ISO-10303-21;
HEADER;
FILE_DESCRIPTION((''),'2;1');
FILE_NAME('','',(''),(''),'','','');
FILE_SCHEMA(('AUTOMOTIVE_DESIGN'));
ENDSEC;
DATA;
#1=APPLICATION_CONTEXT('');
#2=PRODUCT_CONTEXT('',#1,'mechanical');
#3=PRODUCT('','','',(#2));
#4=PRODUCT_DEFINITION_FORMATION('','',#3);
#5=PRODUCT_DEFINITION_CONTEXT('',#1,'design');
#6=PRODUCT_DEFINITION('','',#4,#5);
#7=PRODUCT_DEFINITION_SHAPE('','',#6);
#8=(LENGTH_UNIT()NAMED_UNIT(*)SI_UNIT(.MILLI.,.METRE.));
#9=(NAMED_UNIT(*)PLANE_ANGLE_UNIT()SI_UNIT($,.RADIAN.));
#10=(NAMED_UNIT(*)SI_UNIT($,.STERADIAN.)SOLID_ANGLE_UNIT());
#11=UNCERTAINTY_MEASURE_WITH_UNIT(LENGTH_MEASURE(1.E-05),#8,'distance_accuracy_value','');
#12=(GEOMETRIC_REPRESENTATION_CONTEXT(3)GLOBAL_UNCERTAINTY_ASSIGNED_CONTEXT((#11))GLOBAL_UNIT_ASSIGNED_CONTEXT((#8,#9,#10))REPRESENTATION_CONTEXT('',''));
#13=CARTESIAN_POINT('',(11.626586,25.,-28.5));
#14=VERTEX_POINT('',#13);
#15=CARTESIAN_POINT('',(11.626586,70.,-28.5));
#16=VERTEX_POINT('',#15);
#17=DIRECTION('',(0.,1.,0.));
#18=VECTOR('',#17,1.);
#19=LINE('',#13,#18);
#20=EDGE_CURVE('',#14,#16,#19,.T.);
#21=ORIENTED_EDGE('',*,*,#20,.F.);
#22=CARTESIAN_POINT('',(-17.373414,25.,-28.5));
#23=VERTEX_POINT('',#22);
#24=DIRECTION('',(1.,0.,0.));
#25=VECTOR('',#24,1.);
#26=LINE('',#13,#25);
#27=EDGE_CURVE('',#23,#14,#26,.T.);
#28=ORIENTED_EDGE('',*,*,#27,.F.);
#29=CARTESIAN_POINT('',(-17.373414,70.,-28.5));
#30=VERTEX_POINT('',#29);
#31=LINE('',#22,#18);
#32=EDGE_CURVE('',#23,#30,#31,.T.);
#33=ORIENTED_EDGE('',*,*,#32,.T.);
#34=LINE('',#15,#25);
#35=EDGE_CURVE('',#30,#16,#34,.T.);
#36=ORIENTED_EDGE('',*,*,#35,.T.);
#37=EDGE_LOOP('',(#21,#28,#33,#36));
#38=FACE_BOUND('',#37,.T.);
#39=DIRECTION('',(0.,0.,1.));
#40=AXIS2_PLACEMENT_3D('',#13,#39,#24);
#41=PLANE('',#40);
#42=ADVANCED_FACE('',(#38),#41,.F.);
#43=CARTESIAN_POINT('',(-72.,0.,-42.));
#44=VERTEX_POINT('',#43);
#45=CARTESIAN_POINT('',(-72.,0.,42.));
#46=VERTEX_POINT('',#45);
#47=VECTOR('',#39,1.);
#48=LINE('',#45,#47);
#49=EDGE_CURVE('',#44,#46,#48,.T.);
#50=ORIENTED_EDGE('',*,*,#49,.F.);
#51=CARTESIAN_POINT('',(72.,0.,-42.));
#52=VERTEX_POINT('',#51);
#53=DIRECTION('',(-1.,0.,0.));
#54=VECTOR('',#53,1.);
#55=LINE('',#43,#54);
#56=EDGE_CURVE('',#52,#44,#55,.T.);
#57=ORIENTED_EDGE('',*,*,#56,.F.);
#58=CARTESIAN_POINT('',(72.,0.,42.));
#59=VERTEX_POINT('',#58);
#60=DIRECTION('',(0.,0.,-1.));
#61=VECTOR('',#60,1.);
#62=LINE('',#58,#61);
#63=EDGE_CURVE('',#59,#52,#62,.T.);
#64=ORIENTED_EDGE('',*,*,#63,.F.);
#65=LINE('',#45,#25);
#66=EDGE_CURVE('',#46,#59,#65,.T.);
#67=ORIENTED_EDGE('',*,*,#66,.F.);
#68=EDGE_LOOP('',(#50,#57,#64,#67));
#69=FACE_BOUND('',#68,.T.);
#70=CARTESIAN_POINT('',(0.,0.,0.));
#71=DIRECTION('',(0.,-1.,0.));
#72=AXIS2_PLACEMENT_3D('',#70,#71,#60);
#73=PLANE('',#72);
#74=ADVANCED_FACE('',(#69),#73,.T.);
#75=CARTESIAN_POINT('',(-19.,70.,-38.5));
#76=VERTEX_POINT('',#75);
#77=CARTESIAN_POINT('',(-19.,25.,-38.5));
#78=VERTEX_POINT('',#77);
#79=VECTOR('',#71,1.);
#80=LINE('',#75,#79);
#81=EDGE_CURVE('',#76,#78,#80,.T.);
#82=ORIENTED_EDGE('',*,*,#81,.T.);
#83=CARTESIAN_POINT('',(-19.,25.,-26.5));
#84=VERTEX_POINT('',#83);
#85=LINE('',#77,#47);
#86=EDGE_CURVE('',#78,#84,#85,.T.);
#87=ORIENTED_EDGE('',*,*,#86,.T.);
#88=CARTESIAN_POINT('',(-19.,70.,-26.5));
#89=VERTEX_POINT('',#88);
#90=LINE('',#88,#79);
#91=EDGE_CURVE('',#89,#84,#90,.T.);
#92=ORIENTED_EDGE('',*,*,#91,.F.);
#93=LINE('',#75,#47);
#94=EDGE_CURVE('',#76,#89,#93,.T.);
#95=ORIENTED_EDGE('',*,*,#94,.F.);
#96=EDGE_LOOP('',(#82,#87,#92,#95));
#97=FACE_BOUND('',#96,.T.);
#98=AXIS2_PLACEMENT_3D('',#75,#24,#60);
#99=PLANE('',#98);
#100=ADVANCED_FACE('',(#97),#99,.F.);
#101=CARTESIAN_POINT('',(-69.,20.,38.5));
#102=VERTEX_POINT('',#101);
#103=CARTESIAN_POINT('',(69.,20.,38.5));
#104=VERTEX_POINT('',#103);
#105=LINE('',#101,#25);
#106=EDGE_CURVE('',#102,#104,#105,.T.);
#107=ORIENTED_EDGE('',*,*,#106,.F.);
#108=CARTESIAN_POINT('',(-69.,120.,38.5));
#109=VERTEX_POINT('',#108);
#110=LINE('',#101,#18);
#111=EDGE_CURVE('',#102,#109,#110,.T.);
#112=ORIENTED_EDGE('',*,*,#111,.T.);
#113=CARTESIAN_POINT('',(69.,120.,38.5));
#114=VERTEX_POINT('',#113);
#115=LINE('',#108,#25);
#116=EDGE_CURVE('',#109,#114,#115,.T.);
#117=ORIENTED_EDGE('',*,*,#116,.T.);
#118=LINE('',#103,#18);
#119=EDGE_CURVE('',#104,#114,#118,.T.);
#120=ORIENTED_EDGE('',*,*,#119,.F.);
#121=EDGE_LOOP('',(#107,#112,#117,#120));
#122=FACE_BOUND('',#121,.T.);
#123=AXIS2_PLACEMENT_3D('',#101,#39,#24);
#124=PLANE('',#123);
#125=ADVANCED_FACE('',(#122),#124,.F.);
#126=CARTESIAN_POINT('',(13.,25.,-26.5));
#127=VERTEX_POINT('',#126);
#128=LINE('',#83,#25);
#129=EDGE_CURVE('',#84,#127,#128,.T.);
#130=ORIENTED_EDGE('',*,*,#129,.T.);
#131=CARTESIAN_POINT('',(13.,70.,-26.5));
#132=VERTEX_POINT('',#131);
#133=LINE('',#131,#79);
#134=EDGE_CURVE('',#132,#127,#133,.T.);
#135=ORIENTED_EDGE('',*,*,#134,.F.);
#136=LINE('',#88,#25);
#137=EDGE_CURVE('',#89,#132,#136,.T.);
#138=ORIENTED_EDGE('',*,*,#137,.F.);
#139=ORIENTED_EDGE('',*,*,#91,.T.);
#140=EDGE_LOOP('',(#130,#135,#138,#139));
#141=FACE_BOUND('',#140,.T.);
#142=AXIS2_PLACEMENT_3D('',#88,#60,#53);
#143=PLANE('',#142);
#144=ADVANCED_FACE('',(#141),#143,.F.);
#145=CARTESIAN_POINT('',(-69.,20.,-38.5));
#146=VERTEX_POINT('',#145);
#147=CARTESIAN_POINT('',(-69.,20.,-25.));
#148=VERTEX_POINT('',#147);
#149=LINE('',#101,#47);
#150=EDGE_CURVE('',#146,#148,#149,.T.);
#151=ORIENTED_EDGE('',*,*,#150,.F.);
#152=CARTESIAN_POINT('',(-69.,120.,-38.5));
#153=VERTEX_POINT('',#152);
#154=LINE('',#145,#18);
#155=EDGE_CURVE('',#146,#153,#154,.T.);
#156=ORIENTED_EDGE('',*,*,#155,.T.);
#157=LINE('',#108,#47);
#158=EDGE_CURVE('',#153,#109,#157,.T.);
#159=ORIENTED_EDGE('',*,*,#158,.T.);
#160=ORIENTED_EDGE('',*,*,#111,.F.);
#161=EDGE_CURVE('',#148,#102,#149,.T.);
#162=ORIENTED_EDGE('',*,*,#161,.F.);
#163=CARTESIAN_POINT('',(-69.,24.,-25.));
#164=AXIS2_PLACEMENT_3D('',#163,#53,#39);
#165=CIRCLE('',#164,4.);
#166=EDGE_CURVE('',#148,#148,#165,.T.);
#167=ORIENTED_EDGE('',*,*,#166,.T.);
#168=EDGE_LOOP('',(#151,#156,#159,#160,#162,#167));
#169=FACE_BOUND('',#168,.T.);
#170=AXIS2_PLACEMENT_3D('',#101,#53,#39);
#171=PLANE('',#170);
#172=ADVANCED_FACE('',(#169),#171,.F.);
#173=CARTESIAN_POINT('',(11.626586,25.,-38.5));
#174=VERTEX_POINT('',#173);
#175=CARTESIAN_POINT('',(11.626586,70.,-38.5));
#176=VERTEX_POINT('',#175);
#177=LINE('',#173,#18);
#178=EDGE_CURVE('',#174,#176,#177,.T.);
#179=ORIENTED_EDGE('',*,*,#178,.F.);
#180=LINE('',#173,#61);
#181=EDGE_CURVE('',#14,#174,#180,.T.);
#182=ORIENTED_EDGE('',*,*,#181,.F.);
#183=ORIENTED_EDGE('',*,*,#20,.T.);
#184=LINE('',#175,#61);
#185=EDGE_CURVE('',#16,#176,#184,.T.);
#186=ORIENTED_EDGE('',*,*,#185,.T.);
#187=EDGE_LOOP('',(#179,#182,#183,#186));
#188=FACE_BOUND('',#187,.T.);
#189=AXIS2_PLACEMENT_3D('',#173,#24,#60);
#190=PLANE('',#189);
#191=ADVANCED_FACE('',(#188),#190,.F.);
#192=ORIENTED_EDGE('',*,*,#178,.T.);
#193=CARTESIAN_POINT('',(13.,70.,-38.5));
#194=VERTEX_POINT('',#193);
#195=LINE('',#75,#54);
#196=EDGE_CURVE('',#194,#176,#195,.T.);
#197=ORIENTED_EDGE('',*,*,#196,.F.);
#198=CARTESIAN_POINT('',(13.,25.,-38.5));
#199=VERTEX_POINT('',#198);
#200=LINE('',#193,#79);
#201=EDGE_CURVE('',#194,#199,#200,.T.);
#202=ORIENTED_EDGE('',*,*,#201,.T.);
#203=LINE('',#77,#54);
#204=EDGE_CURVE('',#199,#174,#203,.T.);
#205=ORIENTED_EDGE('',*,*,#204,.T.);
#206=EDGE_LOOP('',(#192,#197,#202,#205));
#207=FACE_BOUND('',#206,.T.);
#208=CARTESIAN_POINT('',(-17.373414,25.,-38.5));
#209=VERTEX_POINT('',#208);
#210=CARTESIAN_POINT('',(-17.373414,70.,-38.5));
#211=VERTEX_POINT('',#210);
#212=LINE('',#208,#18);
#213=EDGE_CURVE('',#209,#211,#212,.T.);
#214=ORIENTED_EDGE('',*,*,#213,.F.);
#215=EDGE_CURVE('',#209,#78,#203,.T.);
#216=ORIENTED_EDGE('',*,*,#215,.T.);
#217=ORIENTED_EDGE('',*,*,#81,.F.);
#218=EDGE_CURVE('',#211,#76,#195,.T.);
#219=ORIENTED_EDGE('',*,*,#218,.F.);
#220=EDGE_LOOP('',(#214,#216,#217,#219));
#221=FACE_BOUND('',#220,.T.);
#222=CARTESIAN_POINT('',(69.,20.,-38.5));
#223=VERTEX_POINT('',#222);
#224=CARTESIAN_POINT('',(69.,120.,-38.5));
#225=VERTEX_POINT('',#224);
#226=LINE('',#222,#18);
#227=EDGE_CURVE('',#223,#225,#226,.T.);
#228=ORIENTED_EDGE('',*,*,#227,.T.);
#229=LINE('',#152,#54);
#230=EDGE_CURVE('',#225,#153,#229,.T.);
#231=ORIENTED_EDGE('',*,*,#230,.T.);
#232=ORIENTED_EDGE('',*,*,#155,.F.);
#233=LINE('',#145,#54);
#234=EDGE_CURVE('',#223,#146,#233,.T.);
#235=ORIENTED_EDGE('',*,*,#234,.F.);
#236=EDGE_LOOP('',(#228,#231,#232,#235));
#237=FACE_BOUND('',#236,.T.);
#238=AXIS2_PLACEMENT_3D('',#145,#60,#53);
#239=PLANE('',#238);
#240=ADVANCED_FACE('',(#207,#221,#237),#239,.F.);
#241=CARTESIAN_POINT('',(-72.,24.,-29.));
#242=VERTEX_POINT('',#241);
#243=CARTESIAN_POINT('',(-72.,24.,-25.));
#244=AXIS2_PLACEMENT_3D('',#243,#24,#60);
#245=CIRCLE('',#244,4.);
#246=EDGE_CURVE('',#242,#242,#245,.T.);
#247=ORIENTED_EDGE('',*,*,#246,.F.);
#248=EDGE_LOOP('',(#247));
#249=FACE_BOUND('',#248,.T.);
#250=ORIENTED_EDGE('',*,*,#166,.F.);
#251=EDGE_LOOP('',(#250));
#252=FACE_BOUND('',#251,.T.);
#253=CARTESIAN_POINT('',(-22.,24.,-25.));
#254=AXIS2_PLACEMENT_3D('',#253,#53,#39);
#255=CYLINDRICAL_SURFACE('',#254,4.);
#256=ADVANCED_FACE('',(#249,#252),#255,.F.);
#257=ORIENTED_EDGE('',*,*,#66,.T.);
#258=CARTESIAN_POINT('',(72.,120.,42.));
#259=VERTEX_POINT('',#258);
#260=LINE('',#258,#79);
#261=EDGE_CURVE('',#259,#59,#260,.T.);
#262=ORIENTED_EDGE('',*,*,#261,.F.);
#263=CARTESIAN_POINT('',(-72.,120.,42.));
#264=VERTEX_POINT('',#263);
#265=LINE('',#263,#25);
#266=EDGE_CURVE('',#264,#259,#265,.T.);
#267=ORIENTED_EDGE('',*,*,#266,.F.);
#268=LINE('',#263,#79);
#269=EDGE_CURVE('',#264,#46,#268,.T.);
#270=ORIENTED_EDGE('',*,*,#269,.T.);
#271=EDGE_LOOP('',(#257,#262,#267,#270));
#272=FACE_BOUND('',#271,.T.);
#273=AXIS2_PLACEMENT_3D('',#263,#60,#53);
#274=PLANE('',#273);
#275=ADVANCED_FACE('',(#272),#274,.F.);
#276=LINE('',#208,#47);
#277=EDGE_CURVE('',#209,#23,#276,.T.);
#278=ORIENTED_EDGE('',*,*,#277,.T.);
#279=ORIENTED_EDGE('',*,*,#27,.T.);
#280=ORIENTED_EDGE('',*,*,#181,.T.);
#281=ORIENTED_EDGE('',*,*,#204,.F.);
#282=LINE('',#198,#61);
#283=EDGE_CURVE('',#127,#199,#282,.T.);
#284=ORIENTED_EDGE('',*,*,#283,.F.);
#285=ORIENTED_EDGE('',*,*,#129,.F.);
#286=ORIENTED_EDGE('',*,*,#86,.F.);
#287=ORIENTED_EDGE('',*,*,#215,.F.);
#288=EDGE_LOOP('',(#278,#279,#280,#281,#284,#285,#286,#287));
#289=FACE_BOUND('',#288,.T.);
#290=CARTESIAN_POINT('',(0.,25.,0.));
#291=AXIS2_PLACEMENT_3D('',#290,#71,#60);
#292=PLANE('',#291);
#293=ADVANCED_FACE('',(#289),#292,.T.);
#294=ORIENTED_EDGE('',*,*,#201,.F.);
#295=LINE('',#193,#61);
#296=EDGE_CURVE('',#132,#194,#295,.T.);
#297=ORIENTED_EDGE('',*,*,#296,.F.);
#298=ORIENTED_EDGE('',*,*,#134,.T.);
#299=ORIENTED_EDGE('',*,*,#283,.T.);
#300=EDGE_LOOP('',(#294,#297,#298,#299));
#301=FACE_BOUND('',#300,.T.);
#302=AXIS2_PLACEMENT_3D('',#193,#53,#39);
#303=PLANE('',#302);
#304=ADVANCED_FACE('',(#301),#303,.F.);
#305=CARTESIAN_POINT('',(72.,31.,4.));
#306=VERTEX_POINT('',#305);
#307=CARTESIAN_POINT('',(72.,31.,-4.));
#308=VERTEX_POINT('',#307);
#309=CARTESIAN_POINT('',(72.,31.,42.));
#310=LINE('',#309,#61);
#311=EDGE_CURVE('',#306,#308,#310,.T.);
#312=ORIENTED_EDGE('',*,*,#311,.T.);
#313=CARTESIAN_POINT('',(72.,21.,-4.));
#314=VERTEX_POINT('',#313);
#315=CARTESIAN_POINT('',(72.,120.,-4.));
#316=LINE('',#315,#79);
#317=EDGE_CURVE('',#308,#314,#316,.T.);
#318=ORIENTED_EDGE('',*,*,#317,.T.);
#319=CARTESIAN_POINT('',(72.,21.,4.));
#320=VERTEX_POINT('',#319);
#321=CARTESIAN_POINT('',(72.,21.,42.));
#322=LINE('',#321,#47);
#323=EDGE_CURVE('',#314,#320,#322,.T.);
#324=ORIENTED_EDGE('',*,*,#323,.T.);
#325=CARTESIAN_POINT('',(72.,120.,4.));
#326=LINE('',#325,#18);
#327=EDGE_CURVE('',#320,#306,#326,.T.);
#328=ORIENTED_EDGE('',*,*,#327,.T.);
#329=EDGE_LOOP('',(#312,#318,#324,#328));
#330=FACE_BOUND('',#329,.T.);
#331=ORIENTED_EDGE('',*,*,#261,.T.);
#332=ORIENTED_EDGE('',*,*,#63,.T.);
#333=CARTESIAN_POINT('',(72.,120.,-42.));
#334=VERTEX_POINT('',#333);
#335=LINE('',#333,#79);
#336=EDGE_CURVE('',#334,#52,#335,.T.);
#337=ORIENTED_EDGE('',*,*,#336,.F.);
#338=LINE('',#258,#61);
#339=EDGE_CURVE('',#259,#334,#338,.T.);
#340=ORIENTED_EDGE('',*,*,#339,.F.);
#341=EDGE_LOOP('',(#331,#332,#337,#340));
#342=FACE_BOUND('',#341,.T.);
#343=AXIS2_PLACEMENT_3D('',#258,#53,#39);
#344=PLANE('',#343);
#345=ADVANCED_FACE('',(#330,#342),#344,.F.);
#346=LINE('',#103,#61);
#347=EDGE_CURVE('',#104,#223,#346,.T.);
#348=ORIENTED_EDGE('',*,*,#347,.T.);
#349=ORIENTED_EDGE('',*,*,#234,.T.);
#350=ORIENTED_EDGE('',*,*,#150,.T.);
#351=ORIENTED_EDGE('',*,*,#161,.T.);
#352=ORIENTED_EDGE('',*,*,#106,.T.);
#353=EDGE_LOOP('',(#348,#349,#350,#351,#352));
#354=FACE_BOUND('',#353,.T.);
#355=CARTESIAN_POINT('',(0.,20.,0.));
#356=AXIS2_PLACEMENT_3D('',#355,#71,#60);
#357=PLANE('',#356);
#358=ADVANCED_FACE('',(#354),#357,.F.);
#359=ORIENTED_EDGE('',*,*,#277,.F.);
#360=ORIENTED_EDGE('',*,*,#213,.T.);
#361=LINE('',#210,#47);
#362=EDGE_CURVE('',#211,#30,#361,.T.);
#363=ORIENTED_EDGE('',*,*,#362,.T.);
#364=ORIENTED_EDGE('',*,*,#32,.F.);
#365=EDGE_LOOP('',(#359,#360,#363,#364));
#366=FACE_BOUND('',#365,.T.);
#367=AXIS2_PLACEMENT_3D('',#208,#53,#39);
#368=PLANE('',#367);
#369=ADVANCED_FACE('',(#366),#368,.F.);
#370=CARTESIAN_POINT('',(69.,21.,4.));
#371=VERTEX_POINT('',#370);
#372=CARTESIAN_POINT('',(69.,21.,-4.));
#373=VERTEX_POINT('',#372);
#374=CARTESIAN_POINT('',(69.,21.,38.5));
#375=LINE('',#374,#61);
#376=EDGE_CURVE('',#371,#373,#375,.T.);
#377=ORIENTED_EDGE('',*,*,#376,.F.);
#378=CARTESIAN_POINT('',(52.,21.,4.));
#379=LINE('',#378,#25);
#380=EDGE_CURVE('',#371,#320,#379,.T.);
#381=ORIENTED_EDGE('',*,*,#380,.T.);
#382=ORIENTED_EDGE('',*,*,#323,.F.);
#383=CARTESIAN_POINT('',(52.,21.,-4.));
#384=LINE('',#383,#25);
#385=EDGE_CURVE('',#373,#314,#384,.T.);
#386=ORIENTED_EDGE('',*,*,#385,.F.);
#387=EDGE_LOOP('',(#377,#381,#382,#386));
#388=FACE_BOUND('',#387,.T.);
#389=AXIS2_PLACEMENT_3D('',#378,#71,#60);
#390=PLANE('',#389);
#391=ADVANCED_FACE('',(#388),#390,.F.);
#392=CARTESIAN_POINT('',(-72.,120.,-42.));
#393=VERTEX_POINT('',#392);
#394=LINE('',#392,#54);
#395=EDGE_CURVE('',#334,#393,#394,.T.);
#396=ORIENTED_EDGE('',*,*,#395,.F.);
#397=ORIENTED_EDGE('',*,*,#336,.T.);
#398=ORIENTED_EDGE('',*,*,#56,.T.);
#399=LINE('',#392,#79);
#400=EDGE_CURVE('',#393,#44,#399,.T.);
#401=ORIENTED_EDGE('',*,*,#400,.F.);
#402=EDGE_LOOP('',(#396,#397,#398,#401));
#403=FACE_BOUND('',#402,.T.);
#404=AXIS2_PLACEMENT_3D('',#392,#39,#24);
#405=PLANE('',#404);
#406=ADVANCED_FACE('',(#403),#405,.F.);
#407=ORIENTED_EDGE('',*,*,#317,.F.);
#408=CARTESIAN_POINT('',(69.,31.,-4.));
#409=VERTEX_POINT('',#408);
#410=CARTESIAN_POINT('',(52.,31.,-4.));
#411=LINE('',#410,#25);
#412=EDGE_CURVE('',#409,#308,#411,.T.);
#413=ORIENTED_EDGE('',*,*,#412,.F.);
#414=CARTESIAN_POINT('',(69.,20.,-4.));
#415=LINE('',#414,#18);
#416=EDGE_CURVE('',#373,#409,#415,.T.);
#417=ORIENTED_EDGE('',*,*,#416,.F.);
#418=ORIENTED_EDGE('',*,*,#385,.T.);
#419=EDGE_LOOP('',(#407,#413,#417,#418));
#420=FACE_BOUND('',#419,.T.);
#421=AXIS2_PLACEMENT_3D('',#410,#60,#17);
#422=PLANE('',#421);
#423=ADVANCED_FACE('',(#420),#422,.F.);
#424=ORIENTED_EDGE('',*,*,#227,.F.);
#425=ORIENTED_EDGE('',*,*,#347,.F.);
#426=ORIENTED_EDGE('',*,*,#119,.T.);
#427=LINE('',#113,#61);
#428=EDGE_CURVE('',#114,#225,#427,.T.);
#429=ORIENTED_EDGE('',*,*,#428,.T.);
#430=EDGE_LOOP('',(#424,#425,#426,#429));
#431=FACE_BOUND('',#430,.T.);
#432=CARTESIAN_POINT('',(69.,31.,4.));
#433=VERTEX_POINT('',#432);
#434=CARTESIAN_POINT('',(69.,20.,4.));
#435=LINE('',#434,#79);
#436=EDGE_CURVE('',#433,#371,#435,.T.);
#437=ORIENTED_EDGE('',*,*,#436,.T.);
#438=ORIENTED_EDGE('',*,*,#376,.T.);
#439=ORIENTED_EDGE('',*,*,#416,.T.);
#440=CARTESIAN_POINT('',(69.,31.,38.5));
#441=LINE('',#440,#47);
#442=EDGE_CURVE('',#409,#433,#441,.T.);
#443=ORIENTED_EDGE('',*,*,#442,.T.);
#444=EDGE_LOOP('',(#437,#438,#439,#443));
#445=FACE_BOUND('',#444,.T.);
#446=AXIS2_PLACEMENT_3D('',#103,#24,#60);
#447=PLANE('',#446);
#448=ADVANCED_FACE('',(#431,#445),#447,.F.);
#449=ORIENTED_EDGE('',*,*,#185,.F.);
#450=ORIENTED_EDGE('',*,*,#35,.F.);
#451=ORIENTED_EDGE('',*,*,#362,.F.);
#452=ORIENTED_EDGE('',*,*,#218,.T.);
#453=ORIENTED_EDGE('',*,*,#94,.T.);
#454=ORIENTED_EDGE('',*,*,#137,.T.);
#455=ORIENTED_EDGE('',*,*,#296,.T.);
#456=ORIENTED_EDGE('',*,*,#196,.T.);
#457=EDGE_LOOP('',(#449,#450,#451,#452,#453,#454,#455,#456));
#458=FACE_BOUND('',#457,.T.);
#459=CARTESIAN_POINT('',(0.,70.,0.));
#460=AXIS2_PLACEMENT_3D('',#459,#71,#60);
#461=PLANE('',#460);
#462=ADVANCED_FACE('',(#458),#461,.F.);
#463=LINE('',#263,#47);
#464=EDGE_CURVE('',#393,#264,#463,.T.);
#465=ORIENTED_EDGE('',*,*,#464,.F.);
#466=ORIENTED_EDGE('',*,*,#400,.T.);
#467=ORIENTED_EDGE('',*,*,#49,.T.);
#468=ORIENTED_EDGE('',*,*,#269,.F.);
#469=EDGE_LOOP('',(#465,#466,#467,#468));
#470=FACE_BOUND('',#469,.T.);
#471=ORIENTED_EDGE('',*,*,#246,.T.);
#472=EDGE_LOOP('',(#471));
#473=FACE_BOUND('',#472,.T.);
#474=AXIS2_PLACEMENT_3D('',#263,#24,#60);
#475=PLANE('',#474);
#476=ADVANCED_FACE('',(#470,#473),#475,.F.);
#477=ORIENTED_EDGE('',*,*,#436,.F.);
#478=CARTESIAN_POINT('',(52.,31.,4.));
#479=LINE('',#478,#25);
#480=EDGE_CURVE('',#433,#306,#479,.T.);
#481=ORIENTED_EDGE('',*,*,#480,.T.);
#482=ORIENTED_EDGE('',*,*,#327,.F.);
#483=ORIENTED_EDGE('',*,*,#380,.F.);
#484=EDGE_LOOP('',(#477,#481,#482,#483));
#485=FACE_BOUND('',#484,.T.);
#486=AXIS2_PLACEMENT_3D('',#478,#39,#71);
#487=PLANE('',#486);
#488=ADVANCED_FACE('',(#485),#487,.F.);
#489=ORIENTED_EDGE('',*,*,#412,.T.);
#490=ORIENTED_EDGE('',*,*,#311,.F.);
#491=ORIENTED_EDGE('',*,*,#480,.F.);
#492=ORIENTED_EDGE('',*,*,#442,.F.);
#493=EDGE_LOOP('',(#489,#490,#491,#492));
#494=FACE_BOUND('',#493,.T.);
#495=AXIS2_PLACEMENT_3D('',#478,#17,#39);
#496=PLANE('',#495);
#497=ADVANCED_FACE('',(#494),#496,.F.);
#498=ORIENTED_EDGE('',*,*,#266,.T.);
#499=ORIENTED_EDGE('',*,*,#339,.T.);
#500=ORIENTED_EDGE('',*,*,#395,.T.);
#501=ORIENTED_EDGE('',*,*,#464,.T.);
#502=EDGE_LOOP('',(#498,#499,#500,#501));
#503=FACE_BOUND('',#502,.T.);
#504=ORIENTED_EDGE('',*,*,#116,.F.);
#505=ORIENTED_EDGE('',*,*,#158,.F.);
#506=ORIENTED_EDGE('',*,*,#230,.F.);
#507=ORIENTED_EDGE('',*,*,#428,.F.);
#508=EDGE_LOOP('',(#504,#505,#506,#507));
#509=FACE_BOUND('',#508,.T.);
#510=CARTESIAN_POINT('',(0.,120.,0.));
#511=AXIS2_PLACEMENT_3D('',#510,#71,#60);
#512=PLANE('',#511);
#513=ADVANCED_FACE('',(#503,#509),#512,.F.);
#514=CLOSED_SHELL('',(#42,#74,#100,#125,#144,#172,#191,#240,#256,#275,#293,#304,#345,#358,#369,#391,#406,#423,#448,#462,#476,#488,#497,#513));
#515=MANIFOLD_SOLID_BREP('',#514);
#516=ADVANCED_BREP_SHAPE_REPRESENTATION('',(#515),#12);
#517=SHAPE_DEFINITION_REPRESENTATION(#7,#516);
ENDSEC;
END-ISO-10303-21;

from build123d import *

# Parameters (mm, degrees)
SKETCH1_W           = 144
SKETCH1_H           = 84
BOSS_EXTRUDE1_DEPTH = 120
SKETCH2_W           = 138
SKETCH2_H           = 77
CUT_EXTRUDE1_DEPTH  = 100
SKETCH3_R           = 4
CUT_EXTRUDE3_DEPTH  = 50
SKETCH5_W           = 8
SKETCH5_H           = 10
CUT_EXTRUDE4_DEPTH  = 20
SKETCH4_W           = 32
SKETCH4_H           = 12
BOSS_EXTRUDE4_DEPTH = 45
SKETCH4_2_W         = 32
SKETCH4_2_H         = 12
BOSS_EXTRUDE5_DEPTH = 45
SKETCH11_W          = 29
SKETCH11_H          = 10
CUT_EXTRUDE5_DEPTH  = 45


with BuildPart() as part:
    # Sketch1 → Boss-Extrude1 (new body)
    with BuildSketch(Plane(origin=(0, 0, 0), x_dir=(1, 0, 0), z_dir=(0, 1, 0))):
        Rectangle(SKETCH1_W, SKETCH1_H)
    extrude(amount=BOSS_EXTRUDE1_DEPTH)

    # Sketch2 → Cut-Extrude1 (cut)
    with BuildSketch(Plane(origin=(0, 120, 0), x_dir=(1, 0, 0), z_dir=(0, 1, 0))):
        Rectangle(SKETCH2_W, SKETCH2_H)
    extrude(amount=-CUT_EXTRUDE1_DEPTH, mode=Mode.SUBTRACT)

    # Sketch3 → Cut-Extrude3 (cut, symmetric)
    with BuildSketch(Plane.ZY.offset(72)):
        with Locations((-25, 24)):
            Circle(SKETCH3_R)
    extrude(amount=CUT_EXTRUDE3_DEPTH, both=True, mode=Mode.SUBTRACT)

    # Sketch5 → Cut-Extrude4 (cut, symmetric)
    with BuildSketch(Plane(origin=(72, 0, 0), x_dir=(0, 0, -1), z_dir=(1, 0, 0))):
        with Locations((0, 26)):
            Rectangle(SKETCH5_W, SKETCH5_H)
    extrude(amount=CUT_EXTRUDE4_DEPTH, both=True, mode=Mode.SUBTRACT)

    # Sketch4 → Boss-Extrude4 (add)
    with BuildSketch(Plane(origin=(0, 25, 0), x_dir=(1, 0, 0), z_dir=(0, 1, 0))):
        with Locations((-3, 32.5)):
            Rectangle(SKETCH4_W, SKETCH4_H)
    extrude(amount=BOSS_EXTRUDE4_DEPTH)

    # Sketch4<2> → Boss-Extrude5 (add)
    with BuildSketch(Plane(origin=(0, 25, 0), x_dir=(1, 0, 0), z_dir=(0, 1, 0))):
        with Locations((-3, 32.5)):
            Rectangle(SKETCH4_2_W, SKETCH4_2_H)
    extrude(amount=BOSS_EXTRUDE5_DEPTH)

    # Sketch11 → Cut-Extrude5 (cut)
    with BuildSketch(Plane(origin=(0, 70, 0), x_dir=(1, 0, 0), z_dir=(0, 1, 0))):
        with Locations((-2.873413599, 33.5)):
            Rectangle(SKETCH11_W, SKETCH11_H)
    extrude(amount=-CUT_EXTRUDE5_DEPTH, mode=Mode.SUBTRACT)


solid = part.part
